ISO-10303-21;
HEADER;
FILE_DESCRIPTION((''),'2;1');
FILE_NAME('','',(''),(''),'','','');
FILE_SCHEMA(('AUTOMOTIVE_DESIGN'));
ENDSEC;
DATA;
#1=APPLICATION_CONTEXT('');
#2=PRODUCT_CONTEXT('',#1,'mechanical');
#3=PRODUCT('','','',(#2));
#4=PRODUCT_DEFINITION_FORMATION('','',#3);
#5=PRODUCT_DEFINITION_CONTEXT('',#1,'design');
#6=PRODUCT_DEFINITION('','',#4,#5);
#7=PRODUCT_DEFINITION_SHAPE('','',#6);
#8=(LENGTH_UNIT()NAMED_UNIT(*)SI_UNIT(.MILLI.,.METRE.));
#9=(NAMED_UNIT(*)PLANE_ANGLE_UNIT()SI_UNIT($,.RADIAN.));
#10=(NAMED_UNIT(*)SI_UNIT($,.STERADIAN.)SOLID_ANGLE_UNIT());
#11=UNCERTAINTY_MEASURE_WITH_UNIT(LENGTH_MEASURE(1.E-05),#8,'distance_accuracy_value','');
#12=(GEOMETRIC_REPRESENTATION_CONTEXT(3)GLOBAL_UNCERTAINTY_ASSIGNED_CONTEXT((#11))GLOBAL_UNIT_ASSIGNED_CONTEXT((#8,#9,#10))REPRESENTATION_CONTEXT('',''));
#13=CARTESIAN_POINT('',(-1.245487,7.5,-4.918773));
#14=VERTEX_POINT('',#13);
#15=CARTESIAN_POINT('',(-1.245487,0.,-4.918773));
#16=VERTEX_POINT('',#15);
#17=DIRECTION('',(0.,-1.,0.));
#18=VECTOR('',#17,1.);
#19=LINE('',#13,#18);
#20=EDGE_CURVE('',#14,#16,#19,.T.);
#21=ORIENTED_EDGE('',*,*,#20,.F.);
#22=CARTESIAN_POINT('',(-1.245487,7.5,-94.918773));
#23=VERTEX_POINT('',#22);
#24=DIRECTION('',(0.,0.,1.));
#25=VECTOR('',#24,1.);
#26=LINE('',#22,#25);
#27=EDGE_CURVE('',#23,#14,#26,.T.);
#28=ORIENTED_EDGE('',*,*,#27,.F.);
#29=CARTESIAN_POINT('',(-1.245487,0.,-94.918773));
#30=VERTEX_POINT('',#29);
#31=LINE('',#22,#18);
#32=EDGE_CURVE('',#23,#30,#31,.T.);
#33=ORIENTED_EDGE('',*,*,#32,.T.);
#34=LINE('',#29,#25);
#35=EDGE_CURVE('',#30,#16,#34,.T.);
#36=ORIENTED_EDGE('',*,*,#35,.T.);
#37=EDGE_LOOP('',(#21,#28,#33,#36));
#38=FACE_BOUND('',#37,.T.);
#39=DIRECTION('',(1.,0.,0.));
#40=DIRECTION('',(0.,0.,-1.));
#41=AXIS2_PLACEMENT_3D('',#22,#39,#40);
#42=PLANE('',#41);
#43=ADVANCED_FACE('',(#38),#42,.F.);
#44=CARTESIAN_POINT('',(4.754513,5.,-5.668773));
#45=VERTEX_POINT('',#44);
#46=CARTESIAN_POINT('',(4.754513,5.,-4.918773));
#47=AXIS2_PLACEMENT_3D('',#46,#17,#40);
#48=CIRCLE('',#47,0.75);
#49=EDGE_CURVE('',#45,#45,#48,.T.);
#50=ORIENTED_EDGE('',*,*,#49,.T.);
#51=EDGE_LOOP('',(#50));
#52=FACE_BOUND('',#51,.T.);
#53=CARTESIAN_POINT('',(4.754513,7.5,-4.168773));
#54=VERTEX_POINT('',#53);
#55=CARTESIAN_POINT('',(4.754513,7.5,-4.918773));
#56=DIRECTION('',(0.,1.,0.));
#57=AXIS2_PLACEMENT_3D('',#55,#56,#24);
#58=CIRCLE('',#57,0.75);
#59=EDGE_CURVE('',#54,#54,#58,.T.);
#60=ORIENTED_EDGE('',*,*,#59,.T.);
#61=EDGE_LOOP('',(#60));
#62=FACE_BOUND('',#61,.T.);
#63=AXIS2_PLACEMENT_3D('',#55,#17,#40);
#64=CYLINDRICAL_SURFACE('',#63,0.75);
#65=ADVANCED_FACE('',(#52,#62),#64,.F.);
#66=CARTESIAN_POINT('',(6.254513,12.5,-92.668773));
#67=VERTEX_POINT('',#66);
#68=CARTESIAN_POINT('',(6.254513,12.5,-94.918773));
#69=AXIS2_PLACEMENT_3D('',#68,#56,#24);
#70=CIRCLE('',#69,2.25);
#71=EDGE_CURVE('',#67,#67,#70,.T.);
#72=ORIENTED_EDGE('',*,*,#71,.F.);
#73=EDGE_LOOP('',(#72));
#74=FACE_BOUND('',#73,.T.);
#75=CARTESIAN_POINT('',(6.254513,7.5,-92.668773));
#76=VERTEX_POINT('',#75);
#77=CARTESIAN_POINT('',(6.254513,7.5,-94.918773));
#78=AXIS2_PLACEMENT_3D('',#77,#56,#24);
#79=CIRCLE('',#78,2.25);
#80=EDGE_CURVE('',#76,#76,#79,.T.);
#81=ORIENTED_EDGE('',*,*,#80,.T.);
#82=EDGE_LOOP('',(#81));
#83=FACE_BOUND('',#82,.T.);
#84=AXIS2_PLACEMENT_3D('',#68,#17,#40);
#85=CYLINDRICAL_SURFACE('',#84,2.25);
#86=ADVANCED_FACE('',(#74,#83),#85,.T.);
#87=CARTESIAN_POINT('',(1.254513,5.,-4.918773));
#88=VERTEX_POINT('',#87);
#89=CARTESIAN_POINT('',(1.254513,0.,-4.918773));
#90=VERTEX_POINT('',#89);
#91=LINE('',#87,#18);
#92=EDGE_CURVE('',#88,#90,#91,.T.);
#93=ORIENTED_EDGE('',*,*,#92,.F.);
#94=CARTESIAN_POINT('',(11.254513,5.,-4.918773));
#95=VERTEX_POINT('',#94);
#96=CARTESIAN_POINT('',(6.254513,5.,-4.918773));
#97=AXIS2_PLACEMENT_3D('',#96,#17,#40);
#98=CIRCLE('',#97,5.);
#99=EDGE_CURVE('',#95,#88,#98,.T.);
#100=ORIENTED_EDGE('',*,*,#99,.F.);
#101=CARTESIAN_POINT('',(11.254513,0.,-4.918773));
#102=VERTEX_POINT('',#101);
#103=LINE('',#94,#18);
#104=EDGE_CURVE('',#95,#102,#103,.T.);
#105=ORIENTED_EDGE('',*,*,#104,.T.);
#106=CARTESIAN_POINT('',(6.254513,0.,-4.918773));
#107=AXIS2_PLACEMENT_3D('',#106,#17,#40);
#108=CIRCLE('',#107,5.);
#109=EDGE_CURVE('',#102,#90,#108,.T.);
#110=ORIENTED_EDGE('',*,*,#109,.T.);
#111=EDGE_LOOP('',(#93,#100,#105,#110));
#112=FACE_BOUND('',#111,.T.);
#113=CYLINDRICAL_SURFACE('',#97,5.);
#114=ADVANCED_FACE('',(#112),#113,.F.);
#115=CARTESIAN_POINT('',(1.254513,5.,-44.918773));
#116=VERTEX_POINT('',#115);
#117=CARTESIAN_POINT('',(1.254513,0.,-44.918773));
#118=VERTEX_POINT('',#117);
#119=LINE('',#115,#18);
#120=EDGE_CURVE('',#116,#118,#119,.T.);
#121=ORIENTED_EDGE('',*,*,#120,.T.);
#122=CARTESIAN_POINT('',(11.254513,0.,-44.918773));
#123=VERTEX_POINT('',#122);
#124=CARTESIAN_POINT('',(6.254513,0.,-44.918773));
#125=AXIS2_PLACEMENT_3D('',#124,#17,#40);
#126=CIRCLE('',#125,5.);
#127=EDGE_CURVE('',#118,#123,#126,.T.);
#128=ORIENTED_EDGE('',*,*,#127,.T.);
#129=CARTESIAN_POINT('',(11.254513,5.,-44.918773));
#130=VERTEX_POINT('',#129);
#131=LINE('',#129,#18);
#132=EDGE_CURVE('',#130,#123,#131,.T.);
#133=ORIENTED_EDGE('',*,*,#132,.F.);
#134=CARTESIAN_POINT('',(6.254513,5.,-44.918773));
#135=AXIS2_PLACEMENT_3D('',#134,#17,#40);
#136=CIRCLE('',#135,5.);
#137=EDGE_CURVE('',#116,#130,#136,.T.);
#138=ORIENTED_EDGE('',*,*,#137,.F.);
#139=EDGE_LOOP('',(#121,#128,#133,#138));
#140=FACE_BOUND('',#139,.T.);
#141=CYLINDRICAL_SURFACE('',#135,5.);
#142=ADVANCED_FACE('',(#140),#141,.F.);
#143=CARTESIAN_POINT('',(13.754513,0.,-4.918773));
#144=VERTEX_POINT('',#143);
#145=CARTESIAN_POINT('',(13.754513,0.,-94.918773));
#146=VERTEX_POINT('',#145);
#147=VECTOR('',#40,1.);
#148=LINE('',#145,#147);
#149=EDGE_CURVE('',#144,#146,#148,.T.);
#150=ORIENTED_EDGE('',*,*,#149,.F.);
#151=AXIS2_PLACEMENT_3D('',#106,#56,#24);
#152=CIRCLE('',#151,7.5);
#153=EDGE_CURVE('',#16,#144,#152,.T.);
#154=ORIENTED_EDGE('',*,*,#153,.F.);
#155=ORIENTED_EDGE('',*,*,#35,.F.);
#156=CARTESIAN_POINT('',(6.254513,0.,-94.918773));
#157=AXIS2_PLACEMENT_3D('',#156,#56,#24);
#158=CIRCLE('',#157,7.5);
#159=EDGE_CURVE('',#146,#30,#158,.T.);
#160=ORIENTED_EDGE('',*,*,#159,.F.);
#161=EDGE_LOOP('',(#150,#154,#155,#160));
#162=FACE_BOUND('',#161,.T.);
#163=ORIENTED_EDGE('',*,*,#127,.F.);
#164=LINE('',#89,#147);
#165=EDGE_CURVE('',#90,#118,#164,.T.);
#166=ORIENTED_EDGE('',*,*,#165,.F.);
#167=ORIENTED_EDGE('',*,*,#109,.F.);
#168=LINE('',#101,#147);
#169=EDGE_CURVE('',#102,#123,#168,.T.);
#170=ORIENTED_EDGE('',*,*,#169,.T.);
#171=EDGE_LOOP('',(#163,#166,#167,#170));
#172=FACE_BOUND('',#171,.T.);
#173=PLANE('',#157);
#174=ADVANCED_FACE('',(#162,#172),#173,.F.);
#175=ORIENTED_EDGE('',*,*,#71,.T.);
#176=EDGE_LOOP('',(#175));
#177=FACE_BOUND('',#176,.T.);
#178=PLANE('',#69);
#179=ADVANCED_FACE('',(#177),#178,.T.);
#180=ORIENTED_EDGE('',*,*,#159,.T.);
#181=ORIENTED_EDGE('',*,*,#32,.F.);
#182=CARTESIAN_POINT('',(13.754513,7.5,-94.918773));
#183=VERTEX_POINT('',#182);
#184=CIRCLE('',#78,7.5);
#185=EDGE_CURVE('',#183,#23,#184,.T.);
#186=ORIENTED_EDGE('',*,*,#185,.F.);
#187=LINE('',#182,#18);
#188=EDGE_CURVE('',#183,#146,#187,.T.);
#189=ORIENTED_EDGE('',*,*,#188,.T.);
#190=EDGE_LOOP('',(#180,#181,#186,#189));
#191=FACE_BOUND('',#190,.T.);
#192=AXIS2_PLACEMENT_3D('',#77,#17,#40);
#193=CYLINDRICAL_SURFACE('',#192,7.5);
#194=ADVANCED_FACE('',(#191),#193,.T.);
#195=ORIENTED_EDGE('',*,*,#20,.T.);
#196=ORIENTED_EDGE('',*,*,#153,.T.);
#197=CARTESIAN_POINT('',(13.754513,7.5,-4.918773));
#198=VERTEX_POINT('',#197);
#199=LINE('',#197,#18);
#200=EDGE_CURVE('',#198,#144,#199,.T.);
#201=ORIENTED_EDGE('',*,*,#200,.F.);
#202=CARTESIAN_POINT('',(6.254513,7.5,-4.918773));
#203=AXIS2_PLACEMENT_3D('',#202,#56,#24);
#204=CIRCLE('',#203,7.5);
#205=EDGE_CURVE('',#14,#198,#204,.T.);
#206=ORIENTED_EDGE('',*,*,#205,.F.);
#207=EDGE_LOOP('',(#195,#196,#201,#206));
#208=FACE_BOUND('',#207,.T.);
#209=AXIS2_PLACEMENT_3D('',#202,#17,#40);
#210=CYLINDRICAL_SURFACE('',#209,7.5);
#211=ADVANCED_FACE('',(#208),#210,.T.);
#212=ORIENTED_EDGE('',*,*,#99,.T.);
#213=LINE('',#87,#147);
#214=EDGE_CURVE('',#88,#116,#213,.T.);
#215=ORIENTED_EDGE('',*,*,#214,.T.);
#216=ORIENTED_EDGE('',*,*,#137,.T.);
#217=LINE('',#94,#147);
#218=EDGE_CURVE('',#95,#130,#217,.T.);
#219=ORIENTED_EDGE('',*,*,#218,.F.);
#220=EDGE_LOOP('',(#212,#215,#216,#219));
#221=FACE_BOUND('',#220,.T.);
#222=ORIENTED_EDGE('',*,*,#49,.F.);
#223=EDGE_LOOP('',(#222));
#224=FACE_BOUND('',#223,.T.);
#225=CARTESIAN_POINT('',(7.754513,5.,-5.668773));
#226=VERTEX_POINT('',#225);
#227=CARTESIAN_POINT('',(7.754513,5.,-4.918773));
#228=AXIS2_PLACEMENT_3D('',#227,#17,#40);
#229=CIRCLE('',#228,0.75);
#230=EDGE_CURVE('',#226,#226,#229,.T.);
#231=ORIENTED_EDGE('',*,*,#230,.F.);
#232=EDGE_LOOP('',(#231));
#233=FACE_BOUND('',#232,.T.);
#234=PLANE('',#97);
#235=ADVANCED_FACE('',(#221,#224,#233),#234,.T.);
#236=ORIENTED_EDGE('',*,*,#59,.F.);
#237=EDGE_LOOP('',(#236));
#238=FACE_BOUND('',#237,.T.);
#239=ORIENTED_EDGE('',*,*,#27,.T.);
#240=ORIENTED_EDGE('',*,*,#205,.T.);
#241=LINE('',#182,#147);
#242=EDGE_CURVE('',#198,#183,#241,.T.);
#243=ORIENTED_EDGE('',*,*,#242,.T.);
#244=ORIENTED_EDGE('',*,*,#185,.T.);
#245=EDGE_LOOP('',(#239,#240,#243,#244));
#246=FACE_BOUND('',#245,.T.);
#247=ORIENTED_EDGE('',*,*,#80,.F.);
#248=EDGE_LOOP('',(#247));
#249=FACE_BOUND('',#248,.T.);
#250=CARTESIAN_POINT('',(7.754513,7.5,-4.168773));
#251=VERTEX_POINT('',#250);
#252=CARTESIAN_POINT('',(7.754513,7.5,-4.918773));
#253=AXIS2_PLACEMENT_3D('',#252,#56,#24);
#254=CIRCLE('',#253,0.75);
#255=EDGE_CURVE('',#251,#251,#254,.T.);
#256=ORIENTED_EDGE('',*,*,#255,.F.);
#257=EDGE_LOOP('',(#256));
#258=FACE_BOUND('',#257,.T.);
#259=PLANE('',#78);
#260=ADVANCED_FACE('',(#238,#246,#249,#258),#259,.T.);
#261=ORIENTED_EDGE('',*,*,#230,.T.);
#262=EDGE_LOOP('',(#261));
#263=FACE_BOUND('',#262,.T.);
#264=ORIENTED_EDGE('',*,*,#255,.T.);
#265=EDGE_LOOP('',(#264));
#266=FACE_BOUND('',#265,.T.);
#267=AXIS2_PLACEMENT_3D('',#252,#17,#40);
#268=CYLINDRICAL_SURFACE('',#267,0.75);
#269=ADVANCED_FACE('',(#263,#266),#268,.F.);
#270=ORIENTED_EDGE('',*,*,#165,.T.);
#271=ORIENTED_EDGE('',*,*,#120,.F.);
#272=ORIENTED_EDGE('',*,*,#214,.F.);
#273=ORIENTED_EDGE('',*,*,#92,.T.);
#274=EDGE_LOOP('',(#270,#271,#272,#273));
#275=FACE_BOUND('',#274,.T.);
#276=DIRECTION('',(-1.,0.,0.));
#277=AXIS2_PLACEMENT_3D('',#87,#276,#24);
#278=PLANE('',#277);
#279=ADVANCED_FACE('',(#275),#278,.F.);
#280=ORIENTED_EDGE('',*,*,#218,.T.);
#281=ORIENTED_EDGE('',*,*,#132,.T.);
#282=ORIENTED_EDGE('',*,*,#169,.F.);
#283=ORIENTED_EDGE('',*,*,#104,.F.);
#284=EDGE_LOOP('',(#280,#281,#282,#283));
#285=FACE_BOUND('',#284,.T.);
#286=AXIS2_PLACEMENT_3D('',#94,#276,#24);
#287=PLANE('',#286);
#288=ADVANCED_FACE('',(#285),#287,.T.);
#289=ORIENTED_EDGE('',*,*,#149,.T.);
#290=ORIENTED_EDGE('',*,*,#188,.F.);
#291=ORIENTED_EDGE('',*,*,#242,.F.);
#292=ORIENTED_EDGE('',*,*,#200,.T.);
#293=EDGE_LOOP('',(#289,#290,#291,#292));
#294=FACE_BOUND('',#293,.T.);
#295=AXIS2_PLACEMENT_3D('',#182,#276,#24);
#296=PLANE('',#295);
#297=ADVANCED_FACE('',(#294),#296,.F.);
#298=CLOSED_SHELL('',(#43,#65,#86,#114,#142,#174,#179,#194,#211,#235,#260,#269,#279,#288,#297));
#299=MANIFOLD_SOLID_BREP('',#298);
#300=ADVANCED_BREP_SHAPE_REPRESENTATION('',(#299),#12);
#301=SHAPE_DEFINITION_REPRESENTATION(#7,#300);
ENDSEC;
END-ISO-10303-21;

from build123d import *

# Parameters (mm, degrees)
SKETCH2_R           = 0.75
BOSS_EXTRUDE1_DEPTH = 7.5
CUT_EXTRUDE1_DEPTH  = 5
SKETCH4_R           = 2.25
BOSS_EXTRUDE2_DEPTH = 5


with BuildPart() as part:
    # Sketch2 → Boss-Extrude1 (new body)
    with BuildSketch(Plane(origin=(0, 0, 0), x_dir=(1, 0, 0), z_dir=(0, 1, 0))):
        with BuildLine():
            Line((-1.245487365, 94.918772563), (-1.245487365, 4.918772563))
            ThreePointArc((-1.245487365, 4.918772563), (6.254512635, -2.581227437), (13.754512635, 4.918772563))
            Line((13.754512635, 4.918772563), (13.754512635, 94.918772563))
            ThreePointArc((13.754512635, 94.918772563), (6.254512635, 102.418772563), (-1.245487365, 94.918772563))
        make_face()
        with Locations(Location((4.754512635, 4.918772563, 0), (0, 0, 270))):
            Circle(SKETCH2_R, mode=Mode.SUBTRACT)
        with Locations(Location((7.754512635, 4.918772563, 0), (0, 0, 270))):
            Circle(SKETCH2_R, mode=Mode.SUBTRACT)
    extrude(amount=BOSS_EXTRUDE1_DEPTH)

    # Sketch3 → Cut-Extrude1 (cut)
    with BuildSketch(Plane.XZ):
        with BuildLine():
            Line((11.254512635, -4.918772563), (11.254512635, -44.918772563))
            ThreePointArc((11.254512635, -44.918772563), (6.254512635, -49.918772563), (1.254512635, -44.918772563))
            Line((1.254512635, -44.918772563), (1.254512635, -4.918772563))
            ThreePointArc((1.254512635, -4.918772563), (6.254512635, 0.081227437), (11.254512635, -4.918772563))
        make_face()
    extrude(amount=-CUT_EXTRUDE1_DEPTH, mode=Mode.SUBTRACT)

    # Sketch4 → Boss-Extrude2 (add)
    with BuildSketch(Plane(origin=(0, 7.5, 0), x_dir=(1, 0, 0), z_dir=(0, 1, 0))):
        with Locations(Location((6.254512635, 94.918772563, 0), (0, 0, 270))):
            Circle(SKETCH4_R)
    extrude(amount=BOSS_EXTRUDE2_DEPTH)


solid = part.part
